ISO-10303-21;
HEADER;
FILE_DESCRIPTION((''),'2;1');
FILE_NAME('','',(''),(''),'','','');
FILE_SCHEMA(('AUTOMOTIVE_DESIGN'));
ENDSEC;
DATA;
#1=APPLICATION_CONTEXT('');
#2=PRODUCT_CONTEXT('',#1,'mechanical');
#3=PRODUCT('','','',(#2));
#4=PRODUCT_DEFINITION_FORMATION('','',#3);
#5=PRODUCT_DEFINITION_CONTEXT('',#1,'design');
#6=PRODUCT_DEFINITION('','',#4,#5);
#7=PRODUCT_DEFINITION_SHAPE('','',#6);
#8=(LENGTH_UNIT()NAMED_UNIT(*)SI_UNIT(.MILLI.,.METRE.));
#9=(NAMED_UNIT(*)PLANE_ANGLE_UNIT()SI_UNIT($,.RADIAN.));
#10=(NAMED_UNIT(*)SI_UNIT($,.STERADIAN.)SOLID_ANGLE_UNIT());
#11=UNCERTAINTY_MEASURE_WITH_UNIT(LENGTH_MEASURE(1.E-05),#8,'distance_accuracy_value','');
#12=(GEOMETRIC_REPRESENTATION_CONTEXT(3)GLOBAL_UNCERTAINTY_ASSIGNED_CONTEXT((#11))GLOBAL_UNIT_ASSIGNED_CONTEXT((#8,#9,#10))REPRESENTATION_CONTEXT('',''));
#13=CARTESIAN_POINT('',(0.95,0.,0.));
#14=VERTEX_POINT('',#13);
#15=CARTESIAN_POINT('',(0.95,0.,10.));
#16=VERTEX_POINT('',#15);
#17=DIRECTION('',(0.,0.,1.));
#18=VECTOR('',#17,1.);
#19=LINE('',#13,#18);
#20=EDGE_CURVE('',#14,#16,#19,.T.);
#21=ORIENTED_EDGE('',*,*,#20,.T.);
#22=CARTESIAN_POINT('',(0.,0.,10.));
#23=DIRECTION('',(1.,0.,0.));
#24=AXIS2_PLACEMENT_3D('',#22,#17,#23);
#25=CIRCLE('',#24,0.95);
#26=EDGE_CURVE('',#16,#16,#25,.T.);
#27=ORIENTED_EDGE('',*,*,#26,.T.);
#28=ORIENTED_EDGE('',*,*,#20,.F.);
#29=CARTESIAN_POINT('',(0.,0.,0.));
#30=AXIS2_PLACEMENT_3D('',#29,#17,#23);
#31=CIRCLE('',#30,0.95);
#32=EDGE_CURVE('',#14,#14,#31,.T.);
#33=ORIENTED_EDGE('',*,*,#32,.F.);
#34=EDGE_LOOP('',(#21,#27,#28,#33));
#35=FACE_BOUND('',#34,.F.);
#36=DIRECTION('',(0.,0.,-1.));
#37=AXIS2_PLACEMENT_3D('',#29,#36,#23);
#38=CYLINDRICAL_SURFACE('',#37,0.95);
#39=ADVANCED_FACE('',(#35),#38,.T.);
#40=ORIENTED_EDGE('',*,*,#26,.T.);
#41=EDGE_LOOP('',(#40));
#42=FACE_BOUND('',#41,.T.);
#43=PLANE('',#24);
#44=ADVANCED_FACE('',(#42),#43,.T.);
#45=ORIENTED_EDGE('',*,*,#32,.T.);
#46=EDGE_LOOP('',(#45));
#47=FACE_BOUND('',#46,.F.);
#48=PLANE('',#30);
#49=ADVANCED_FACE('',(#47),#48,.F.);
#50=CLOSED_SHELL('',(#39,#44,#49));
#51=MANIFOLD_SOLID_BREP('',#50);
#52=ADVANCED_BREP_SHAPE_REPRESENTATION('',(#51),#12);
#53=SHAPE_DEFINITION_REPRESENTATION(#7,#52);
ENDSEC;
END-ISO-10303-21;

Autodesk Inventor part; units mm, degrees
ref_plane "YZ Plane" through (0, 0, 0) normal (1, 0, 0) x (0, 1, 0)
ref_plane "XZ Plane" through (0, 0, 0) normal (0, 1, 0) x (-1, 0, 0)
ref_plane "XY Plane" through (0, 0, 0) normal (0, 0, 1) x (1, 0, 0)
sketch "Sketch1" plane through (0, 0, 0) normal (0, 0, 1) x (1, 0, 0)
  circle A0 centre (0, 0) radius 0.95
  dimension "d0" = 1.9
extrude "Extrusion1" add sketch "Sketch1" along normal blind 10
properties part number "RCT-H009_shaft"
